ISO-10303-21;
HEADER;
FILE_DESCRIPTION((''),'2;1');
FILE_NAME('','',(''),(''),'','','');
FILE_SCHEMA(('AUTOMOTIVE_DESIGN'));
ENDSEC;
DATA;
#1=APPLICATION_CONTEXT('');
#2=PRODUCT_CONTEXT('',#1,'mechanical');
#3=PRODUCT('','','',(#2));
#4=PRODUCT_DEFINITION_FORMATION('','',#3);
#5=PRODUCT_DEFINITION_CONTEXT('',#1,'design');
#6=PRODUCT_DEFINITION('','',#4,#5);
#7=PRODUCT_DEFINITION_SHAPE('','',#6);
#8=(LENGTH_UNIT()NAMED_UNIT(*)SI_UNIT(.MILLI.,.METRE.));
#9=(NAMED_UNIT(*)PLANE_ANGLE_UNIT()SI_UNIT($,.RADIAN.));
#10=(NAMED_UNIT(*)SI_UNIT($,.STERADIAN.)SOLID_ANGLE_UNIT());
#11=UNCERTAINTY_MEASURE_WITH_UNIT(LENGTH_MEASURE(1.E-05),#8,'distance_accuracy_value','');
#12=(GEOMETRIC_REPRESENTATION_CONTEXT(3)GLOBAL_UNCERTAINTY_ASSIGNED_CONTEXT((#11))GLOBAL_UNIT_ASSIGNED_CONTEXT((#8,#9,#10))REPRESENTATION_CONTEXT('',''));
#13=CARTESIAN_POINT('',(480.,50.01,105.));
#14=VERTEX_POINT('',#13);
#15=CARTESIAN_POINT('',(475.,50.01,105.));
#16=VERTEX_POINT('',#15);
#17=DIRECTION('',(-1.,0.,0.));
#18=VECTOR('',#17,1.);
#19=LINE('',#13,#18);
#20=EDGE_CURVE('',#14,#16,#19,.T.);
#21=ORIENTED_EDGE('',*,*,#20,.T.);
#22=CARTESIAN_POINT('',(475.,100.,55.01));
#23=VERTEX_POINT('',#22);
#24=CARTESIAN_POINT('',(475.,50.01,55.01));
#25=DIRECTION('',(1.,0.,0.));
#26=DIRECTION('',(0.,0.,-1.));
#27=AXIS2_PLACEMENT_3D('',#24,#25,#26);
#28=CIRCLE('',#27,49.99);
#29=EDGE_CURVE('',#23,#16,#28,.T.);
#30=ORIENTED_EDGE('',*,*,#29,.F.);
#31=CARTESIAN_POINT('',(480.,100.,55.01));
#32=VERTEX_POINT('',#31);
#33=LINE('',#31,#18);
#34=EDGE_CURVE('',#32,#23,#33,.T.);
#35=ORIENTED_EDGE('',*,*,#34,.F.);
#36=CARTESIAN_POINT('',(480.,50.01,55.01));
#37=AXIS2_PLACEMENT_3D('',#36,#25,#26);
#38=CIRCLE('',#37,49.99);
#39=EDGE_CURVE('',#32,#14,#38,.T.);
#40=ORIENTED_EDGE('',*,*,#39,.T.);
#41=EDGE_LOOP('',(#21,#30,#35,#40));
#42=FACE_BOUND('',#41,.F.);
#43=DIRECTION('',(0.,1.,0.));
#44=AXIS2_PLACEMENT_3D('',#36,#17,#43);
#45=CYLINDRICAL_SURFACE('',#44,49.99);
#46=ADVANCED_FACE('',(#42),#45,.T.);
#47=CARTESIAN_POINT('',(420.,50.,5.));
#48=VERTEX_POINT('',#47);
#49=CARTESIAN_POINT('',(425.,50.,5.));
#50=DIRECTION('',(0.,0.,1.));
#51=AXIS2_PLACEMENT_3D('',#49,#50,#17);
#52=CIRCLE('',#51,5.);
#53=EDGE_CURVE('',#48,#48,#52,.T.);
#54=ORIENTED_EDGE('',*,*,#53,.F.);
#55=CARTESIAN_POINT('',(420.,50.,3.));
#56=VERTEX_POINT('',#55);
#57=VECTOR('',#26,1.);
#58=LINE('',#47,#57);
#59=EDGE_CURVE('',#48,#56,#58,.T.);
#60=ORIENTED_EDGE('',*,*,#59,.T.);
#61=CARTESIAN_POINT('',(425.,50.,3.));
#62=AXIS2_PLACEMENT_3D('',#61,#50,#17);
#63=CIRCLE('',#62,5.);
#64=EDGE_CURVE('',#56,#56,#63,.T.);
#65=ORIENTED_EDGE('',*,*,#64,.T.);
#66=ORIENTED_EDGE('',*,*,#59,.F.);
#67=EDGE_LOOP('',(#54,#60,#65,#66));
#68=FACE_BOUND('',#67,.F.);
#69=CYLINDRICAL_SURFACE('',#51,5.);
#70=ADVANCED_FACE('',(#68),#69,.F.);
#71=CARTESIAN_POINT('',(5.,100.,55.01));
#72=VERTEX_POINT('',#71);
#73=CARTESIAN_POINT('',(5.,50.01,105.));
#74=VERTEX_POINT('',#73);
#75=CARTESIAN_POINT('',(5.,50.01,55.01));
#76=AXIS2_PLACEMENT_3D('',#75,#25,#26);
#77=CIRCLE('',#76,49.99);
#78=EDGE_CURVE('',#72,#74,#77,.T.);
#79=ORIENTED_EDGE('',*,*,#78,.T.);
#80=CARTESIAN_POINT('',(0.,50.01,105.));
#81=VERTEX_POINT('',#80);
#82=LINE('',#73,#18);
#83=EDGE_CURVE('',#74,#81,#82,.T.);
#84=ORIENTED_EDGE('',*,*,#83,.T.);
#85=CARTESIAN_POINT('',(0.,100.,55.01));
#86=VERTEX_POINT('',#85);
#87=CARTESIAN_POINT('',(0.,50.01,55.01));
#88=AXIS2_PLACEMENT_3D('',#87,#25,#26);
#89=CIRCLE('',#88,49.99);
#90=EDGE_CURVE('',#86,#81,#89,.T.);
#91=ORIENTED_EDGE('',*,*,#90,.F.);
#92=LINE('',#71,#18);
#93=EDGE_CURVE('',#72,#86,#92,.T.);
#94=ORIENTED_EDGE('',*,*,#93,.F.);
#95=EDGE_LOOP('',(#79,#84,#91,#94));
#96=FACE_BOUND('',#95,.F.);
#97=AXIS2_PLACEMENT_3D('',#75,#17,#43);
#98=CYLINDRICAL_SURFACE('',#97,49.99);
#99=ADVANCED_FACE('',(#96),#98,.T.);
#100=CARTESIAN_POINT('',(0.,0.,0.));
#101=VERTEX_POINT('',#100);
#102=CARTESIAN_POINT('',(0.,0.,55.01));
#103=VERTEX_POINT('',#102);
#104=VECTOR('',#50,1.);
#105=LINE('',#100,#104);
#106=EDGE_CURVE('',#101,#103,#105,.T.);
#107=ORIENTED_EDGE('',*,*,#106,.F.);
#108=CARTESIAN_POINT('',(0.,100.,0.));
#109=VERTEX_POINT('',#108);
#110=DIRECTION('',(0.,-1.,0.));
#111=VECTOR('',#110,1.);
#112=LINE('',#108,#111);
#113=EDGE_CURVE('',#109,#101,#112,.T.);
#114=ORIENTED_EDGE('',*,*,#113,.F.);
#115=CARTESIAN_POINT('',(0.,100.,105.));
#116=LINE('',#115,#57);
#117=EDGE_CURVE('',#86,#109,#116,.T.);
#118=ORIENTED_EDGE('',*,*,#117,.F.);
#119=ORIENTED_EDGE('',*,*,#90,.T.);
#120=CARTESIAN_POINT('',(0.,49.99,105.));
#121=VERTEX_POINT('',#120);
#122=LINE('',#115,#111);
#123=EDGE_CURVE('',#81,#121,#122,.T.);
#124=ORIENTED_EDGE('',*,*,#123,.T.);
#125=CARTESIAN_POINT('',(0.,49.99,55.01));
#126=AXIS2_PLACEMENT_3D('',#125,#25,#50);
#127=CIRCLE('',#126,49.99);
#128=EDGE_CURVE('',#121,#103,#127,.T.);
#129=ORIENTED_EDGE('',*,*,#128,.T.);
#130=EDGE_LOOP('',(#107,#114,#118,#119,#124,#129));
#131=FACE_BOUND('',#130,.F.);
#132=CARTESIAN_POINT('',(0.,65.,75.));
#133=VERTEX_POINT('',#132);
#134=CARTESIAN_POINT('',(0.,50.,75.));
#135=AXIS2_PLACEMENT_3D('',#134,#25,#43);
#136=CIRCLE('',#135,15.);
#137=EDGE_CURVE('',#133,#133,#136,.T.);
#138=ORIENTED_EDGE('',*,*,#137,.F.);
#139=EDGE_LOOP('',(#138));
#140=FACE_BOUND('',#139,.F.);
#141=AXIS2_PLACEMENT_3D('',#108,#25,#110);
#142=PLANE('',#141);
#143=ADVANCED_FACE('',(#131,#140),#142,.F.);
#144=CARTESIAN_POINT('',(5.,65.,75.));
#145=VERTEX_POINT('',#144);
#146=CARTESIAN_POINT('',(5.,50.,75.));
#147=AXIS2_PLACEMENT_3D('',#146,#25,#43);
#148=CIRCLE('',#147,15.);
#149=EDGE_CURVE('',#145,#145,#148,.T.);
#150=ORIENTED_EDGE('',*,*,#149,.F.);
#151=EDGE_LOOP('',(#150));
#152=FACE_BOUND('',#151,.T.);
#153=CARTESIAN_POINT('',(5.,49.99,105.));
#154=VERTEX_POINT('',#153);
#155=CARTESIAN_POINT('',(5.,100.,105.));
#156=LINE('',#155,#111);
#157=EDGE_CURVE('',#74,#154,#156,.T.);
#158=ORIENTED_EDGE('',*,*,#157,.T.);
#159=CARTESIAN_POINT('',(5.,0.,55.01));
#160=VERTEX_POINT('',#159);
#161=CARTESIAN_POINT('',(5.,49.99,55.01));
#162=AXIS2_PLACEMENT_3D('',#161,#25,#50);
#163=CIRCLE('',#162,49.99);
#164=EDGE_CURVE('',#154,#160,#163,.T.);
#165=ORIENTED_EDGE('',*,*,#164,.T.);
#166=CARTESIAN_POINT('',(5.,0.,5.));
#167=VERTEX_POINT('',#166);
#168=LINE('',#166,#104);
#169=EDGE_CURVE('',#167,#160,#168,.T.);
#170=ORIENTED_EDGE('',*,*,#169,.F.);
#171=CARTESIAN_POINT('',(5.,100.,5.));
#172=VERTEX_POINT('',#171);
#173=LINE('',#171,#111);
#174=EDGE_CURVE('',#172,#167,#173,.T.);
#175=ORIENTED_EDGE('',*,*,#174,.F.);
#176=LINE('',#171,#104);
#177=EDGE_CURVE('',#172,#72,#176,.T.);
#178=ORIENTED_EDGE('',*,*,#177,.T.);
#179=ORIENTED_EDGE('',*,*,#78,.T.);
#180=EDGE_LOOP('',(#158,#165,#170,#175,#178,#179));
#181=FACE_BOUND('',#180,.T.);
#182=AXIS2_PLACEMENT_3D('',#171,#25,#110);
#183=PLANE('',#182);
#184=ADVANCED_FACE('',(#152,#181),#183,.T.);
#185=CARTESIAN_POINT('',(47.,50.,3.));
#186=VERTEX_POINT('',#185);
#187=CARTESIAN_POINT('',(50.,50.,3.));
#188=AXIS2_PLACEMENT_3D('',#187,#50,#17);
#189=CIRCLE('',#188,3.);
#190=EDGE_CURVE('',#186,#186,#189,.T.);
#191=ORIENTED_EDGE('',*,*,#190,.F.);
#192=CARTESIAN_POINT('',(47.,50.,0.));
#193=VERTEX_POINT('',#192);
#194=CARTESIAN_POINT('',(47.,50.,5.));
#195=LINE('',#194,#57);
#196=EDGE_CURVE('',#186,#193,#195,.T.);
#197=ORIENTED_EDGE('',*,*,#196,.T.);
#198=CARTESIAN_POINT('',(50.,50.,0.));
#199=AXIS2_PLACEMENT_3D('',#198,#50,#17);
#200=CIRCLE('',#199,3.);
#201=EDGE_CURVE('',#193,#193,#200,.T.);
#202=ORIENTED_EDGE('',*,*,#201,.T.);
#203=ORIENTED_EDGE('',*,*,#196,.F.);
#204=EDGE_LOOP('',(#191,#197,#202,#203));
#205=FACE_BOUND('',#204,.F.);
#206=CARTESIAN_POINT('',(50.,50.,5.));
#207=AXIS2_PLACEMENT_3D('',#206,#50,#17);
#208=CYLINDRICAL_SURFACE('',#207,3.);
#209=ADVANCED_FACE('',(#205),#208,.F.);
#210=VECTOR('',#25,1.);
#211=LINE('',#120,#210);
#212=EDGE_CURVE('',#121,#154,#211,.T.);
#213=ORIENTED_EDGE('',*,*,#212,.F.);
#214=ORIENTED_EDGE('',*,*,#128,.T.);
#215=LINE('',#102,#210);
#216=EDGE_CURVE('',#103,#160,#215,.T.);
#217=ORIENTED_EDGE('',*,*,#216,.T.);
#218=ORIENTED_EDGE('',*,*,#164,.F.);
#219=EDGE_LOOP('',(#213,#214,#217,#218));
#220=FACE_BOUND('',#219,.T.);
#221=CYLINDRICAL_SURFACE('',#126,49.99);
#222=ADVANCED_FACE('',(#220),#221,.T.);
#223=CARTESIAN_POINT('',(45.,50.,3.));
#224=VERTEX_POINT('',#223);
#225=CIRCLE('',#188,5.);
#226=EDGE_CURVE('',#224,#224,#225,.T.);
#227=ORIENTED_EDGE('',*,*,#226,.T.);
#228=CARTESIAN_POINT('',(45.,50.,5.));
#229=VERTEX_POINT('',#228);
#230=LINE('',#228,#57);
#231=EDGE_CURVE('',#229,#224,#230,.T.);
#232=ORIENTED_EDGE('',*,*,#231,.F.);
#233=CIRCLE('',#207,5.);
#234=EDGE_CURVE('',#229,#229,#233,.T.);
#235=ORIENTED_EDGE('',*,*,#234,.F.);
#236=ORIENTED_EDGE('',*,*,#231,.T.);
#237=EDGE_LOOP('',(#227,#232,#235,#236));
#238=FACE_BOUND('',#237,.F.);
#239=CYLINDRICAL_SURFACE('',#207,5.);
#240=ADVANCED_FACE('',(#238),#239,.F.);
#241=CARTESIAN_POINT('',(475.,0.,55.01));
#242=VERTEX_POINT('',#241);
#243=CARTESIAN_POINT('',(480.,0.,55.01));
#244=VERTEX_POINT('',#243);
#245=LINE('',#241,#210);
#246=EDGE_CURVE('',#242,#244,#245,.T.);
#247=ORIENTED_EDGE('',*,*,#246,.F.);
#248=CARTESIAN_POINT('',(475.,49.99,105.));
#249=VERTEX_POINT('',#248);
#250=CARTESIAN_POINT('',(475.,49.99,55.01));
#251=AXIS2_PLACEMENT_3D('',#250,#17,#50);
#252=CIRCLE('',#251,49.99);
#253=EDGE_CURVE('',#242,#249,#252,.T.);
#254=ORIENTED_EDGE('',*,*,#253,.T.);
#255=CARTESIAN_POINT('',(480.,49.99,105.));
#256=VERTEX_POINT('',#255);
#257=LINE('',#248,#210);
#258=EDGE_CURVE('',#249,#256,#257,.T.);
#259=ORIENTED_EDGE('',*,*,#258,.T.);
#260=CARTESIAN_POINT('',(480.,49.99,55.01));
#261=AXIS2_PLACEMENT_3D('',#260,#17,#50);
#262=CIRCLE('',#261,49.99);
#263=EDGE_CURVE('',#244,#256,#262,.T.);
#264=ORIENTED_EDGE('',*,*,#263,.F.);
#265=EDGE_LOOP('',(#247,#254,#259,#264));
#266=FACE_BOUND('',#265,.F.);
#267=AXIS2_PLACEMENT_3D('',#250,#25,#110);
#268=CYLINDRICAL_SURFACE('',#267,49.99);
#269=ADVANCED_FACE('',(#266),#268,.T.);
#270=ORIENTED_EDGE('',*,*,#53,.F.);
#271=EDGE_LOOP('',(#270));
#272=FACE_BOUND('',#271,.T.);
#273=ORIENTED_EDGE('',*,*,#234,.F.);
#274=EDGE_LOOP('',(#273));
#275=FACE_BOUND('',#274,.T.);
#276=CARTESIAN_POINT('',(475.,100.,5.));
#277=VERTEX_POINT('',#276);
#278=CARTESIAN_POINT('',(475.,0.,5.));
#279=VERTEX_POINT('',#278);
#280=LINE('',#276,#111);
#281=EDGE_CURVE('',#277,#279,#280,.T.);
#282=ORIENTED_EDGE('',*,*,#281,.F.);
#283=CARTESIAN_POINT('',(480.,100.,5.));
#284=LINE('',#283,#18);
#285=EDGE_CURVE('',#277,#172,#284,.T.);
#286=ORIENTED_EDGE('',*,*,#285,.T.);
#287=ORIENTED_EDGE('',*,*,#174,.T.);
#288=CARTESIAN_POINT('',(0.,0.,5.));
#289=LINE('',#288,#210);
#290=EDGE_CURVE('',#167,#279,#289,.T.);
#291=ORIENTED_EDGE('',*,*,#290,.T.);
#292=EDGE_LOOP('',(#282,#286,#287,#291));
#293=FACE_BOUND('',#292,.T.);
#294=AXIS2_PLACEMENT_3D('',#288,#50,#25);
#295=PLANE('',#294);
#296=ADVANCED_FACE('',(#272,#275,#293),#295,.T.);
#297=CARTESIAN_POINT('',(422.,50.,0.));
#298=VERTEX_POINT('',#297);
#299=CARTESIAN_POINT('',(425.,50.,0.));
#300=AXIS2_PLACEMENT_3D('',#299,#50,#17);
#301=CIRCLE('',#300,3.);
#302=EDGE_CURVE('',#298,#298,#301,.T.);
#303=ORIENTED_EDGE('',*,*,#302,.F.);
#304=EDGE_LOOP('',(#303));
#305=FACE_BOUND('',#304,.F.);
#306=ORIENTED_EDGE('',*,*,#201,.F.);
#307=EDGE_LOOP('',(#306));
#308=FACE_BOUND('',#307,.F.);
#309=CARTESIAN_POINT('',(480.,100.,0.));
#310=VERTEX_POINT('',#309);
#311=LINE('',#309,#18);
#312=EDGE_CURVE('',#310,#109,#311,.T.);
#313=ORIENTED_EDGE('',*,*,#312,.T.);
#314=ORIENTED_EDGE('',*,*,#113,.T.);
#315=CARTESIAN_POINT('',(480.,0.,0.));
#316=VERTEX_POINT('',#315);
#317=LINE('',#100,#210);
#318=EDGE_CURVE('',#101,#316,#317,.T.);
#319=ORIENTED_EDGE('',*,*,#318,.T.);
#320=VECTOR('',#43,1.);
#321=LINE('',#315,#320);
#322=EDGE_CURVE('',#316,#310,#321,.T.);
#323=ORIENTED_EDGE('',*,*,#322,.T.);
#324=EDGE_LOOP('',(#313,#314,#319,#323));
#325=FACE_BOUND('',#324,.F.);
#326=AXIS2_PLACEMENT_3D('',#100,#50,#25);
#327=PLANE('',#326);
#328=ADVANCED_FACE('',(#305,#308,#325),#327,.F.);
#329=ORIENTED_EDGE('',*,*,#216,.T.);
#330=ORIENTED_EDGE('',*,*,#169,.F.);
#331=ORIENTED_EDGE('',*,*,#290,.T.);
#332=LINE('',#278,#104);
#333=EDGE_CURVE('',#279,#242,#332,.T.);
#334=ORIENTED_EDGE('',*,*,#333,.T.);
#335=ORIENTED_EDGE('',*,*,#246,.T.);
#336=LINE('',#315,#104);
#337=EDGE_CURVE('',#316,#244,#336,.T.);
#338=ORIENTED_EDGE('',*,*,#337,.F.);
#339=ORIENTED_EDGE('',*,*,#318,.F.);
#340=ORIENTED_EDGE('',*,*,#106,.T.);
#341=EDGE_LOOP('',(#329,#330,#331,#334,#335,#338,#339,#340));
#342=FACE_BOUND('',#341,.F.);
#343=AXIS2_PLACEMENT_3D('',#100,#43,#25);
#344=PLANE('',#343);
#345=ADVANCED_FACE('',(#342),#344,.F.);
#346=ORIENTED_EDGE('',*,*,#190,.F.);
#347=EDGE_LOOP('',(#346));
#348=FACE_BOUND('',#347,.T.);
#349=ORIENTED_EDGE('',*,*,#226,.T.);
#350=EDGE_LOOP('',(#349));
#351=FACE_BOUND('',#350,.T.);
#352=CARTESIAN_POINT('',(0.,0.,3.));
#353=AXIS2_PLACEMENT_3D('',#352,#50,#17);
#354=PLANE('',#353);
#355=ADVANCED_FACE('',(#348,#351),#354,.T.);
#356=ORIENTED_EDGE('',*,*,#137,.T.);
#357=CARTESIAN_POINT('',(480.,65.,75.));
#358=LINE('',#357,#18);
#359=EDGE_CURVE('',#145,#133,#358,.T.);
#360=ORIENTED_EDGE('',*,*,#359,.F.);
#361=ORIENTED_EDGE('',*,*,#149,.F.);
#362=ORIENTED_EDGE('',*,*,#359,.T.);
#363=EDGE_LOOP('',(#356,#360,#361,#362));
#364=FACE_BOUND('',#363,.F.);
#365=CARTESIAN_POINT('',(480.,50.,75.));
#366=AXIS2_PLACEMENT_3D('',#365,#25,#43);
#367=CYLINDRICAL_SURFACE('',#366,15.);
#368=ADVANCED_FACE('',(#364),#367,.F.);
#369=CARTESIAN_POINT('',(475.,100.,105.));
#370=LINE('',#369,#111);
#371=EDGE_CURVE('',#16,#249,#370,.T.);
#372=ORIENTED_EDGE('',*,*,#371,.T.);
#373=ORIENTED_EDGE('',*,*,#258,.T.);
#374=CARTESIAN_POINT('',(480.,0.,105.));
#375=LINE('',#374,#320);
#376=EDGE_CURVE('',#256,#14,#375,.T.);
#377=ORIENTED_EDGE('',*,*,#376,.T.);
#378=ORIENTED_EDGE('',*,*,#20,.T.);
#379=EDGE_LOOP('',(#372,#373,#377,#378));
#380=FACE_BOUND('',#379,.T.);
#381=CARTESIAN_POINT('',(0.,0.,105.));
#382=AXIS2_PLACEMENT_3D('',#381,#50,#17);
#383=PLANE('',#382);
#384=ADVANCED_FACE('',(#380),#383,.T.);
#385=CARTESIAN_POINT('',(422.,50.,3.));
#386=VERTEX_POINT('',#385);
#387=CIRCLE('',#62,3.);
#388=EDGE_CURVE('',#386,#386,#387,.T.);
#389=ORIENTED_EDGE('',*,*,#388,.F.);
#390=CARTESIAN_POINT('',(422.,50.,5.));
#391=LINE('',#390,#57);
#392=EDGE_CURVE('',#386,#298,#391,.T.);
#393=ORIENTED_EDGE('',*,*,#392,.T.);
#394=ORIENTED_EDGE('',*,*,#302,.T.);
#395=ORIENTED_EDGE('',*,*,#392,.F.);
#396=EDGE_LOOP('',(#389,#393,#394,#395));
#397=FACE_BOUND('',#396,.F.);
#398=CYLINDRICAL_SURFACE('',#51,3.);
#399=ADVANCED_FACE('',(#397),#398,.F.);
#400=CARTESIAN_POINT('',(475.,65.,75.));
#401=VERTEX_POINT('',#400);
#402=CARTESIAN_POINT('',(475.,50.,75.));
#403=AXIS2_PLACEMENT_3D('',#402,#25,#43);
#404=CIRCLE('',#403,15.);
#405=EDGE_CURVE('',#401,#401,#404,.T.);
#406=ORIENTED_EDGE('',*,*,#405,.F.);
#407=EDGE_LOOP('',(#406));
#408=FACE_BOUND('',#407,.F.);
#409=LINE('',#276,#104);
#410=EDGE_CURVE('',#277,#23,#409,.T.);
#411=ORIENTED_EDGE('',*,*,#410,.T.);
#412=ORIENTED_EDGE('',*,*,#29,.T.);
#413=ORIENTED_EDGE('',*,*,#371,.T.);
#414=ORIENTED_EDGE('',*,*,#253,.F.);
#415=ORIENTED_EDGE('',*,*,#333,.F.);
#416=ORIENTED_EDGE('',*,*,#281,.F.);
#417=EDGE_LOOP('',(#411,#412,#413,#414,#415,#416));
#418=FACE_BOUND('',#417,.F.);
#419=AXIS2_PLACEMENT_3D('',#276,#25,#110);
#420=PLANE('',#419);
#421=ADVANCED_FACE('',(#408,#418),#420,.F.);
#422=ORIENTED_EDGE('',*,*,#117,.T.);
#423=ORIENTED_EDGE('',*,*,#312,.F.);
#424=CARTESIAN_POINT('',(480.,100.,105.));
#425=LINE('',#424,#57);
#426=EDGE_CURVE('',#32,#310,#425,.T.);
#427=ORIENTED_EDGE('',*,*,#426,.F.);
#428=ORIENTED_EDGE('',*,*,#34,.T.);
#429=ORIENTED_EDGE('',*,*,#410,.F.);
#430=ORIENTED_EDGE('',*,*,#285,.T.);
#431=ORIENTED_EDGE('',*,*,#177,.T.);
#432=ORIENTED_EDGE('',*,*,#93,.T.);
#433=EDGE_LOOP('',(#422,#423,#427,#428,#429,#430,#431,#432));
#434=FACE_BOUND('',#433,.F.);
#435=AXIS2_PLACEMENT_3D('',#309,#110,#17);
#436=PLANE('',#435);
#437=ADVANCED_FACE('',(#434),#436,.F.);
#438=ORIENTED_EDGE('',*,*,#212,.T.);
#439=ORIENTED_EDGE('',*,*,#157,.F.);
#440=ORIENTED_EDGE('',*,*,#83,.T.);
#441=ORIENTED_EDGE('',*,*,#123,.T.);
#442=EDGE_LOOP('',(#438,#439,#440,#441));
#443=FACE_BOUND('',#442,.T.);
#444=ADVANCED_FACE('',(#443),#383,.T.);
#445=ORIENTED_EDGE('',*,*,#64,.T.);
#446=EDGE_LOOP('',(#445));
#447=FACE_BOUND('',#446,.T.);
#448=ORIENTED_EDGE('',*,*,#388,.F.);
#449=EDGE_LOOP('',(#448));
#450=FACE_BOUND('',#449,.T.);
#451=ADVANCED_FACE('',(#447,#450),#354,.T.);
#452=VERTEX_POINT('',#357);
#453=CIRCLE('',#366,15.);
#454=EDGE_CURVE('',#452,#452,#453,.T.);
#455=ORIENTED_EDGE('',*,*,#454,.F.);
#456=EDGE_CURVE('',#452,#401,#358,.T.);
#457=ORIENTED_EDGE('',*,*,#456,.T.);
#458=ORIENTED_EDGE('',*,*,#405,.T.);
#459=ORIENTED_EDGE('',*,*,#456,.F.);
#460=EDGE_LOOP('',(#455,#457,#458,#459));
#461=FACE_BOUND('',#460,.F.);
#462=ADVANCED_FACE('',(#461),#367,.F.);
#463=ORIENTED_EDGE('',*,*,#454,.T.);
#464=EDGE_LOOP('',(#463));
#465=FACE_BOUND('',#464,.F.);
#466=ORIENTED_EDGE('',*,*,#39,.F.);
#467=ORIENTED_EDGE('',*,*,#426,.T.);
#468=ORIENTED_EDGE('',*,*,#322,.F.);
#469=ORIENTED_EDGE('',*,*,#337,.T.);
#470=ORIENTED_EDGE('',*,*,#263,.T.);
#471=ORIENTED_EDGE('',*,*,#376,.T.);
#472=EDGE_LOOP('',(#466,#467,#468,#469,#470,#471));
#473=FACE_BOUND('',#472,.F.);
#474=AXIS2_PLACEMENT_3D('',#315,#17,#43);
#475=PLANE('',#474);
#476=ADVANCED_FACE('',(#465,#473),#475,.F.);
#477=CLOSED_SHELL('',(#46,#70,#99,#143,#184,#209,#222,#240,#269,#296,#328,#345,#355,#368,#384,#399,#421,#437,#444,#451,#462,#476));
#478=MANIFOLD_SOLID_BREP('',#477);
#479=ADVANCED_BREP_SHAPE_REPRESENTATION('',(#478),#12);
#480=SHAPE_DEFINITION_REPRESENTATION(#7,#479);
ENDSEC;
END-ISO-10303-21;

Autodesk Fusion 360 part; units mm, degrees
sketch "Sketch1" plane through (0, 0, 0) normal (0, 0, 1) x (1, 0, 0)
  line L0 (0, 0) -> (480, 0)
  line L1 (480, 0) -> (480, 100)
  line L2 (480, 100) -> (0, 100)
  line L3 (0, 100) -> (0, 0)
  dimension "d1" = 480
  dimension "d2" = 100
extrude "Extrude1" add sketch "Sketch1" along normal blind 5
sketch "Sketch2" plane through (0, 0, 5) normal (0, 0, 1) x (-1, 0, 0)
  line L0 (0, -100) -> (0, 0)
  line L1 (0, 0) -> (-480, 0)
  line L2 (-480, 0) -> (-480, -100)
  line L3 (-480, -100) -> (0, -100)
  line L4 (0, -100) -> (-5, -100)
  line L5 (-5, -100) -> (-5, 0)
  line L6 (-5, 0) -> (0, 0)
  line L7 (0, 0) -> (0, -100)
  line L8 (-480, -100) -> (-475, -100)
  line L9 (-475, -100) -> (-475, 0)
  line L10 (-475, 0) -> (-480, 0)
  line L11 (-480, 0) -> (-480, -100)
  dimension "d5" = 5
  dimension "d6" = 100
  dimension "d7" = 5
  dimension "d8" = 100
extrude "Extrude2" add sketch "Sketch2" along normal blind 100 contours L0 L1 L3 L4 L5 L6 L7 | L1 L2 L3 L8 L9 L10 L11
sketch "Sketch3" plane through (480, 0, 0) normal (1, 0, 0) x (0, 1, 0)
  line L0 (0, 0) -> (100, 0)
  line L1 (100, 0) -> (100, 105)
  line L2 (100, 105) -> (0, 105)
  line L3 (0, 105) -> (0, 0)
  circle A0 centre (50, 75) radius 15
  dimension "d11" = 30
extrude "Extrude3" cut sketch "Sketch3" against normal blind 500 contours A0
sketch "Sketch4" plane through (0, 0, 5) normal (0, 0, 1) x (-1, 0, 0)
  line L0 (-5, -100) -> (-5, 0)
  line L1 (-5, 0) -> (-475, 0)
  line L2 (-475, 0) -> (-475, -100)
  line L3 (-475, -100) -> (-5, -100)
  circle A0 centre (-50, -50) radius 5
  circle A1 centre (-425, -50) radius 5
  dimension "d14" = 10
  dimension "d15" = 10
extrude "Extrude4" cut sketch "Sketch4" against normal blind 2 contours A0 | A1
sketch "Sketch5" plane through (0, 0, 5) normal (0, 0, 1) x (-1, 0, 0)
  circle A0 centre (-425, -50) radius 5
  circle A1 centre (-50, -50) radius 5
  line L0 (-5, -100) -> (-5, 0)
  line L1 (-5, 0) -> (-475, 0)
  line L2 (-475, 0) -> (-475, -100)
  line L3 (-475, -100) -> (-5, -100)
  circle A2 centre (-50, -50) radius 3
  circle A3 centre (-425, -50) radius 3
  dimension "d18" = 6
  dimension "d19" = 6
extrude "Extrude5" cut sketch "Sketch5" against normal blind 6 contours A2 | A3
fillet "Fillet1" radius 50 4 edges at (477.5, 0, 105) (477.5, 100, 105) (2.5, 100, 105) (2.5, 0, 105)
